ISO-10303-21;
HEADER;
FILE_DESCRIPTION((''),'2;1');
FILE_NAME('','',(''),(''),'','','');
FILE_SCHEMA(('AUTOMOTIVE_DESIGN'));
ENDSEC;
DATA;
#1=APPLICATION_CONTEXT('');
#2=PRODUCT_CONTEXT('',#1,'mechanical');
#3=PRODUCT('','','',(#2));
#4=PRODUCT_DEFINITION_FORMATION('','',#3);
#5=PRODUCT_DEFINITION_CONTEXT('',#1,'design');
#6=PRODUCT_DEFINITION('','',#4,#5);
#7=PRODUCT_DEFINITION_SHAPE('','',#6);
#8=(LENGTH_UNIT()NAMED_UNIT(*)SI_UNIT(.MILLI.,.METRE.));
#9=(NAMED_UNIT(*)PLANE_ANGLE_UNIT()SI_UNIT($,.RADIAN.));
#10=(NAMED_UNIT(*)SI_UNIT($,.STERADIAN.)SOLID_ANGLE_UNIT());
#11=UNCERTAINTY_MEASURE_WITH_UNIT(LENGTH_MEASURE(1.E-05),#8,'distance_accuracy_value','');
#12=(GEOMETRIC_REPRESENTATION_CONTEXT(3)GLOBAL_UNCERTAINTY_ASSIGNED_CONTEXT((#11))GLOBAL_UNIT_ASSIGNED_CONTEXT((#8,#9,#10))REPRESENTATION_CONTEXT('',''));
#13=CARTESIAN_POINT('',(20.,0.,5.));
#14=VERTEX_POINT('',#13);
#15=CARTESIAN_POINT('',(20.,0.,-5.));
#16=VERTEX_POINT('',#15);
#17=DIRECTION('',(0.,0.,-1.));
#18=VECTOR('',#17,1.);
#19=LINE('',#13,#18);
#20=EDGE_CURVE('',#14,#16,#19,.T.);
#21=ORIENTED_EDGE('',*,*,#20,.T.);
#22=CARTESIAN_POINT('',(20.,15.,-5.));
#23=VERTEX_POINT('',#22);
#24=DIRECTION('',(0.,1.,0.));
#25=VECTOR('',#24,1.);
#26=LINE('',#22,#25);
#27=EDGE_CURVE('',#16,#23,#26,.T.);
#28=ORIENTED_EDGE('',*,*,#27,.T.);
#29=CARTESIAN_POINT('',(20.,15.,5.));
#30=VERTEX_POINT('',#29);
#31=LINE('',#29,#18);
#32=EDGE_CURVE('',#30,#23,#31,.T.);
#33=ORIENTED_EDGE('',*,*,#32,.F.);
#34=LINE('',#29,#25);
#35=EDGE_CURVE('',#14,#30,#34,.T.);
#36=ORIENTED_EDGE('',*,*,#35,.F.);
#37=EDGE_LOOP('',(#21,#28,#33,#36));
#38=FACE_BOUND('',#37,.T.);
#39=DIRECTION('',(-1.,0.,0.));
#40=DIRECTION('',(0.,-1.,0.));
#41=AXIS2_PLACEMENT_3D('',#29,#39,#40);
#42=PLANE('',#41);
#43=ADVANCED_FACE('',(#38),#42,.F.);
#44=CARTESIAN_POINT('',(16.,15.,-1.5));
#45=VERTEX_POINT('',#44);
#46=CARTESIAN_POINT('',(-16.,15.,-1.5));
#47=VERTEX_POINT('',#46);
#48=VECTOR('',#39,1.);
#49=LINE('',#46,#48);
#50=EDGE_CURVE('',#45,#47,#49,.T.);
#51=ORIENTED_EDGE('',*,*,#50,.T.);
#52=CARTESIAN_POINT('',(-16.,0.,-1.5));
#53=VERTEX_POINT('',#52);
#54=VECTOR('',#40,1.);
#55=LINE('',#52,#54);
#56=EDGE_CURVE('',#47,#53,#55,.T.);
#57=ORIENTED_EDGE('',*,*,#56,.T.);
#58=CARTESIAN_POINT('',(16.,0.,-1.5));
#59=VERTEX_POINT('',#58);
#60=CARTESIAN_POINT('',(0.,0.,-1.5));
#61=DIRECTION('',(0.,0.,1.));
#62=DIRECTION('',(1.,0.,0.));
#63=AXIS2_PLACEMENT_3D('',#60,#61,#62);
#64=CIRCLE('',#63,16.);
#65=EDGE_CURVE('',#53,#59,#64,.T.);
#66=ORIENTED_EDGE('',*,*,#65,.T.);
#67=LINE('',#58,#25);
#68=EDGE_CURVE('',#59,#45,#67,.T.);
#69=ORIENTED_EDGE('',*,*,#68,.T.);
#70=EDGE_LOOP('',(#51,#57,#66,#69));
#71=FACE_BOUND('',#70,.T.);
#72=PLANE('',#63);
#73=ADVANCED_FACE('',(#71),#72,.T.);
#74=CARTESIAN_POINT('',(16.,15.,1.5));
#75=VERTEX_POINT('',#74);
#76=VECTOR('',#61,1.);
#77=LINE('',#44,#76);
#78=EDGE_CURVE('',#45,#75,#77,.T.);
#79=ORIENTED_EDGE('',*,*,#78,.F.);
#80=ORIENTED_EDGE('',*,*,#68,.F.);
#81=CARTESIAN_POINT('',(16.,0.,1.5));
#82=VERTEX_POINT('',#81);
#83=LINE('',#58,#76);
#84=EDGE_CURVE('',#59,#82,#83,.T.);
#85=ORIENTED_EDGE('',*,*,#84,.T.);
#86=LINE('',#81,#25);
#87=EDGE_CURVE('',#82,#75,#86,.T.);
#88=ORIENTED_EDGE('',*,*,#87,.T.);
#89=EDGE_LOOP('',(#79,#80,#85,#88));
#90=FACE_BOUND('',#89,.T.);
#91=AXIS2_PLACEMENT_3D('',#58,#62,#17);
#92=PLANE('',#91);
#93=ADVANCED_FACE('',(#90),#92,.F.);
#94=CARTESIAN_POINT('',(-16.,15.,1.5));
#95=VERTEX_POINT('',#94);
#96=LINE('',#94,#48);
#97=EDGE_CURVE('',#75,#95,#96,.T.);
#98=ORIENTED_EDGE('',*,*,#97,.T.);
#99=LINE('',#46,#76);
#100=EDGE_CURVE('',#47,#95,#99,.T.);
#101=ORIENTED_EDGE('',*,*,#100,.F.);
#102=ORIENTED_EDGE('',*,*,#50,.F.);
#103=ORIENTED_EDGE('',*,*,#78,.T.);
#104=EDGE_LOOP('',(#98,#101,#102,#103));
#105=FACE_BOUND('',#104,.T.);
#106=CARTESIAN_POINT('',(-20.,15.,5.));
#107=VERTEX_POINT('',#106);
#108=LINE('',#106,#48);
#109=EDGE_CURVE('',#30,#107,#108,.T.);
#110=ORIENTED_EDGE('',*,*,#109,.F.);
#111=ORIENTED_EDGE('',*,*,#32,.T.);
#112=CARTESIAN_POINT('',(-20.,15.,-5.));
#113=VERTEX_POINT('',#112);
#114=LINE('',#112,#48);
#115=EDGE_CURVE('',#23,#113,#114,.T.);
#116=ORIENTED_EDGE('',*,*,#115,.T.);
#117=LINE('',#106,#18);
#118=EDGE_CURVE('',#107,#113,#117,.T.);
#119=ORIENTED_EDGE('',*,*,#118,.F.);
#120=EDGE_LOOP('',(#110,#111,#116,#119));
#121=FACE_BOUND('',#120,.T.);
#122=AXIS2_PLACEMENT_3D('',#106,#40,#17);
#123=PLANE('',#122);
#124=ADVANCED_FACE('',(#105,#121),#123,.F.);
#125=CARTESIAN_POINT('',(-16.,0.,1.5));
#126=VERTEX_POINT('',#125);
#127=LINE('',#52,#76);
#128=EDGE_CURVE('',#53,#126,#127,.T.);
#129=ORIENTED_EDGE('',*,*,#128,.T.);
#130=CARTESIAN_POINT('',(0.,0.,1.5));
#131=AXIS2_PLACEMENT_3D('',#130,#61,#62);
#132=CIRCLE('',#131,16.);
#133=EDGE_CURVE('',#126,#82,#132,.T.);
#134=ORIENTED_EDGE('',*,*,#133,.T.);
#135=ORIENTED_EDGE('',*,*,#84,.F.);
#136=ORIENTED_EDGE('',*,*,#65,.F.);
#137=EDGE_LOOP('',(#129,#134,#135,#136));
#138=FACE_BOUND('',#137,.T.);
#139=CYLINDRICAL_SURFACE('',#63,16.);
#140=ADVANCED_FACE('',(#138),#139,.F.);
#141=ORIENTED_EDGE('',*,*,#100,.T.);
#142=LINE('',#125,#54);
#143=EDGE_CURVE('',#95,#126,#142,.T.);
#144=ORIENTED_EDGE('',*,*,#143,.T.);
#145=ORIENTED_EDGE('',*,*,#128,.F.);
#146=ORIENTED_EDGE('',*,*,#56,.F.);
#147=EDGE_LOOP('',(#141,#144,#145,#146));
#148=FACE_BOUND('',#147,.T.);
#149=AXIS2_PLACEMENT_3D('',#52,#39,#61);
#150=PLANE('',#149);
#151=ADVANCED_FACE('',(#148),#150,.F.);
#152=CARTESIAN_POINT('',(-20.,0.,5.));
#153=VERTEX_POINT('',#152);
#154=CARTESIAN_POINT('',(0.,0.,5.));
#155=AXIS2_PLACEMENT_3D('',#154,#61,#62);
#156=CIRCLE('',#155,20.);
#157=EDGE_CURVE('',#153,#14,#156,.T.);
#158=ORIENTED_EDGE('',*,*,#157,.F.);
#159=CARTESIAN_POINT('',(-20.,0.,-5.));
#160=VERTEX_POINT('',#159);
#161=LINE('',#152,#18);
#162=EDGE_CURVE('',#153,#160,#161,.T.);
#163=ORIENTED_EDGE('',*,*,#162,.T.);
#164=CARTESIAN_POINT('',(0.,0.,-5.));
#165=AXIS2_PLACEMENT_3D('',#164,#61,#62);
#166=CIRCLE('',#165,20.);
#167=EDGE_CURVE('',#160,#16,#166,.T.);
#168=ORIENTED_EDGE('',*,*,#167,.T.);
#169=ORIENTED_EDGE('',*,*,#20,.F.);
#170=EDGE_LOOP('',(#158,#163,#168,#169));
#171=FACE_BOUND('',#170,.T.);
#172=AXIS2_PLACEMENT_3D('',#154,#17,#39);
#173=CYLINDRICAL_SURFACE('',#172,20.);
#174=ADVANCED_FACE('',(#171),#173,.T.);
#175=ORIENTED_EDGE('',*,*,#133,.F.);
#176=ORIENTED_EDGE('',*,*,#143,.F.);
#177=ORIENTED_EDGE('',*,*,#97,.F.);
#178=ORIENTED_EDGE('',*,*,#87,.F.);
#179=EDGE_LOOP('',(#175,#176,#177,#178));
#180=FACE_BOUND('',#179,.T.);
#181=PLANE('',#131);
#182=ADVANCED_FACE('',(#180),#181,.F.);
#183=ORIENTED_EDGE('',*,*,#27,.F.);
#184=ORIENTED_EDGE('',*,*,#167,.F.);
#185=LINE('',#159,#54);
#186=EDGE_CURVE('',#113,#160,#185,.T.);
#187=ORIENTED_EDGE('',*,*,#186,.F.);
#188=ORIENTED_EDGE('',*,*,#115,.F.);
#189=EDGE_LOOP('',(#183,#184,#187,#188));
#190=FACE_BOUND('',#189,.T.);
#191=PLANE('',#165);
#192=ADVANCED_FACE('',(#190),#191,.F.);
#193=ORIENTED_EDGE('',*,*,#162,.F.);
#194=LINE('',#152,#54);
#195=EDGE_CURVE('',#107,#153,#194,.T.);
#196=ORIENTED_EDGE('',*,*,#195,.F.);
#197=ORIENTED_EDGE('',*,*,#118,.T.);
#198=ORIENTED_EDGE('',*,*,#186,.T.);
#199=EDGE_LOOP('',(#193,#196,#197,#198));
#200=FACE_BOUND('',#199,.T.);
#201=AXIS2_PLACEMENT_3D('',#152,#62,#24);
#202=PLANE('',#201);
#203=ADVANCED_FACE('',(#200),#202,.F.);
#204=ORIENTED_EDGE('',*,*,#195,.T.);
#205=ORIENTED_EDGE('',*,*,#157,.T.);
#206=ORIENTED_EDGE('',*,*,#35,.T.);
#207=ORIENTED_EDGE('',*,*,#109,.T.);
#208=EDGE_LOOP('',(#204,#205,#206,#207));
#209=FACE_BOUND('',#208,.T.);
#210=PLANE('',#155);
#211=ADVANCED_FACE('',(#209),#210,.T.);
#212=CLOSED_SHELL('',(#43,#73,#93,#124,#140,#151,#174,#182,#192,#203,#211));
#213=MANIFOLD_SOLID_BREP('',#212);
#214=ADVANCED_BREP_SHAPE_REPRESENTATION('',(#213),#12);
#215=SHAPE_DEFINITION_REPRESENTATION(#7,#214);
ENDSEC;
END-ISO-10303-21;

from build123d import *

# Parameters (mm, degrees)
EXTRUDE_1_DEPTH     = 5
CUT_EXTRUDE_2_DEPTH = 1.5


with BuildPart() as part:
    # 草图1 → 凸台-拉伸1 (new, symmetric)
    with BuildSketch(Plane.XY):
        with BuildLine():
            Line((-20, 0), (-20, 15))
            Line((-20, 15), (20, 15))
            Line((20, 15), (20, 0))
            ThreePointArc((20, 0), (0, -20), (-20, 0))
        make_face()
    extrude(amount=EXTRUDE_1_DEPTH, both=True)

    # 草图2 → 切除-拉伸2 (cut, symmetric)
    with BuildSketch(Plane.XY):
        with BuildLine():
            Line((-16, 0), (-16, 15))
            Line((-16, 15), (16, 15))
            Line((16, 15), (16, 0))
            ThreePointArc((16, 0), (0, -16), (-16, 0))
        make_face()
    extrude(amount=CUT_EXTRUDE_2_DEPTH, both=True, mode=Mode.SUBTRACT)


solid = part.part
